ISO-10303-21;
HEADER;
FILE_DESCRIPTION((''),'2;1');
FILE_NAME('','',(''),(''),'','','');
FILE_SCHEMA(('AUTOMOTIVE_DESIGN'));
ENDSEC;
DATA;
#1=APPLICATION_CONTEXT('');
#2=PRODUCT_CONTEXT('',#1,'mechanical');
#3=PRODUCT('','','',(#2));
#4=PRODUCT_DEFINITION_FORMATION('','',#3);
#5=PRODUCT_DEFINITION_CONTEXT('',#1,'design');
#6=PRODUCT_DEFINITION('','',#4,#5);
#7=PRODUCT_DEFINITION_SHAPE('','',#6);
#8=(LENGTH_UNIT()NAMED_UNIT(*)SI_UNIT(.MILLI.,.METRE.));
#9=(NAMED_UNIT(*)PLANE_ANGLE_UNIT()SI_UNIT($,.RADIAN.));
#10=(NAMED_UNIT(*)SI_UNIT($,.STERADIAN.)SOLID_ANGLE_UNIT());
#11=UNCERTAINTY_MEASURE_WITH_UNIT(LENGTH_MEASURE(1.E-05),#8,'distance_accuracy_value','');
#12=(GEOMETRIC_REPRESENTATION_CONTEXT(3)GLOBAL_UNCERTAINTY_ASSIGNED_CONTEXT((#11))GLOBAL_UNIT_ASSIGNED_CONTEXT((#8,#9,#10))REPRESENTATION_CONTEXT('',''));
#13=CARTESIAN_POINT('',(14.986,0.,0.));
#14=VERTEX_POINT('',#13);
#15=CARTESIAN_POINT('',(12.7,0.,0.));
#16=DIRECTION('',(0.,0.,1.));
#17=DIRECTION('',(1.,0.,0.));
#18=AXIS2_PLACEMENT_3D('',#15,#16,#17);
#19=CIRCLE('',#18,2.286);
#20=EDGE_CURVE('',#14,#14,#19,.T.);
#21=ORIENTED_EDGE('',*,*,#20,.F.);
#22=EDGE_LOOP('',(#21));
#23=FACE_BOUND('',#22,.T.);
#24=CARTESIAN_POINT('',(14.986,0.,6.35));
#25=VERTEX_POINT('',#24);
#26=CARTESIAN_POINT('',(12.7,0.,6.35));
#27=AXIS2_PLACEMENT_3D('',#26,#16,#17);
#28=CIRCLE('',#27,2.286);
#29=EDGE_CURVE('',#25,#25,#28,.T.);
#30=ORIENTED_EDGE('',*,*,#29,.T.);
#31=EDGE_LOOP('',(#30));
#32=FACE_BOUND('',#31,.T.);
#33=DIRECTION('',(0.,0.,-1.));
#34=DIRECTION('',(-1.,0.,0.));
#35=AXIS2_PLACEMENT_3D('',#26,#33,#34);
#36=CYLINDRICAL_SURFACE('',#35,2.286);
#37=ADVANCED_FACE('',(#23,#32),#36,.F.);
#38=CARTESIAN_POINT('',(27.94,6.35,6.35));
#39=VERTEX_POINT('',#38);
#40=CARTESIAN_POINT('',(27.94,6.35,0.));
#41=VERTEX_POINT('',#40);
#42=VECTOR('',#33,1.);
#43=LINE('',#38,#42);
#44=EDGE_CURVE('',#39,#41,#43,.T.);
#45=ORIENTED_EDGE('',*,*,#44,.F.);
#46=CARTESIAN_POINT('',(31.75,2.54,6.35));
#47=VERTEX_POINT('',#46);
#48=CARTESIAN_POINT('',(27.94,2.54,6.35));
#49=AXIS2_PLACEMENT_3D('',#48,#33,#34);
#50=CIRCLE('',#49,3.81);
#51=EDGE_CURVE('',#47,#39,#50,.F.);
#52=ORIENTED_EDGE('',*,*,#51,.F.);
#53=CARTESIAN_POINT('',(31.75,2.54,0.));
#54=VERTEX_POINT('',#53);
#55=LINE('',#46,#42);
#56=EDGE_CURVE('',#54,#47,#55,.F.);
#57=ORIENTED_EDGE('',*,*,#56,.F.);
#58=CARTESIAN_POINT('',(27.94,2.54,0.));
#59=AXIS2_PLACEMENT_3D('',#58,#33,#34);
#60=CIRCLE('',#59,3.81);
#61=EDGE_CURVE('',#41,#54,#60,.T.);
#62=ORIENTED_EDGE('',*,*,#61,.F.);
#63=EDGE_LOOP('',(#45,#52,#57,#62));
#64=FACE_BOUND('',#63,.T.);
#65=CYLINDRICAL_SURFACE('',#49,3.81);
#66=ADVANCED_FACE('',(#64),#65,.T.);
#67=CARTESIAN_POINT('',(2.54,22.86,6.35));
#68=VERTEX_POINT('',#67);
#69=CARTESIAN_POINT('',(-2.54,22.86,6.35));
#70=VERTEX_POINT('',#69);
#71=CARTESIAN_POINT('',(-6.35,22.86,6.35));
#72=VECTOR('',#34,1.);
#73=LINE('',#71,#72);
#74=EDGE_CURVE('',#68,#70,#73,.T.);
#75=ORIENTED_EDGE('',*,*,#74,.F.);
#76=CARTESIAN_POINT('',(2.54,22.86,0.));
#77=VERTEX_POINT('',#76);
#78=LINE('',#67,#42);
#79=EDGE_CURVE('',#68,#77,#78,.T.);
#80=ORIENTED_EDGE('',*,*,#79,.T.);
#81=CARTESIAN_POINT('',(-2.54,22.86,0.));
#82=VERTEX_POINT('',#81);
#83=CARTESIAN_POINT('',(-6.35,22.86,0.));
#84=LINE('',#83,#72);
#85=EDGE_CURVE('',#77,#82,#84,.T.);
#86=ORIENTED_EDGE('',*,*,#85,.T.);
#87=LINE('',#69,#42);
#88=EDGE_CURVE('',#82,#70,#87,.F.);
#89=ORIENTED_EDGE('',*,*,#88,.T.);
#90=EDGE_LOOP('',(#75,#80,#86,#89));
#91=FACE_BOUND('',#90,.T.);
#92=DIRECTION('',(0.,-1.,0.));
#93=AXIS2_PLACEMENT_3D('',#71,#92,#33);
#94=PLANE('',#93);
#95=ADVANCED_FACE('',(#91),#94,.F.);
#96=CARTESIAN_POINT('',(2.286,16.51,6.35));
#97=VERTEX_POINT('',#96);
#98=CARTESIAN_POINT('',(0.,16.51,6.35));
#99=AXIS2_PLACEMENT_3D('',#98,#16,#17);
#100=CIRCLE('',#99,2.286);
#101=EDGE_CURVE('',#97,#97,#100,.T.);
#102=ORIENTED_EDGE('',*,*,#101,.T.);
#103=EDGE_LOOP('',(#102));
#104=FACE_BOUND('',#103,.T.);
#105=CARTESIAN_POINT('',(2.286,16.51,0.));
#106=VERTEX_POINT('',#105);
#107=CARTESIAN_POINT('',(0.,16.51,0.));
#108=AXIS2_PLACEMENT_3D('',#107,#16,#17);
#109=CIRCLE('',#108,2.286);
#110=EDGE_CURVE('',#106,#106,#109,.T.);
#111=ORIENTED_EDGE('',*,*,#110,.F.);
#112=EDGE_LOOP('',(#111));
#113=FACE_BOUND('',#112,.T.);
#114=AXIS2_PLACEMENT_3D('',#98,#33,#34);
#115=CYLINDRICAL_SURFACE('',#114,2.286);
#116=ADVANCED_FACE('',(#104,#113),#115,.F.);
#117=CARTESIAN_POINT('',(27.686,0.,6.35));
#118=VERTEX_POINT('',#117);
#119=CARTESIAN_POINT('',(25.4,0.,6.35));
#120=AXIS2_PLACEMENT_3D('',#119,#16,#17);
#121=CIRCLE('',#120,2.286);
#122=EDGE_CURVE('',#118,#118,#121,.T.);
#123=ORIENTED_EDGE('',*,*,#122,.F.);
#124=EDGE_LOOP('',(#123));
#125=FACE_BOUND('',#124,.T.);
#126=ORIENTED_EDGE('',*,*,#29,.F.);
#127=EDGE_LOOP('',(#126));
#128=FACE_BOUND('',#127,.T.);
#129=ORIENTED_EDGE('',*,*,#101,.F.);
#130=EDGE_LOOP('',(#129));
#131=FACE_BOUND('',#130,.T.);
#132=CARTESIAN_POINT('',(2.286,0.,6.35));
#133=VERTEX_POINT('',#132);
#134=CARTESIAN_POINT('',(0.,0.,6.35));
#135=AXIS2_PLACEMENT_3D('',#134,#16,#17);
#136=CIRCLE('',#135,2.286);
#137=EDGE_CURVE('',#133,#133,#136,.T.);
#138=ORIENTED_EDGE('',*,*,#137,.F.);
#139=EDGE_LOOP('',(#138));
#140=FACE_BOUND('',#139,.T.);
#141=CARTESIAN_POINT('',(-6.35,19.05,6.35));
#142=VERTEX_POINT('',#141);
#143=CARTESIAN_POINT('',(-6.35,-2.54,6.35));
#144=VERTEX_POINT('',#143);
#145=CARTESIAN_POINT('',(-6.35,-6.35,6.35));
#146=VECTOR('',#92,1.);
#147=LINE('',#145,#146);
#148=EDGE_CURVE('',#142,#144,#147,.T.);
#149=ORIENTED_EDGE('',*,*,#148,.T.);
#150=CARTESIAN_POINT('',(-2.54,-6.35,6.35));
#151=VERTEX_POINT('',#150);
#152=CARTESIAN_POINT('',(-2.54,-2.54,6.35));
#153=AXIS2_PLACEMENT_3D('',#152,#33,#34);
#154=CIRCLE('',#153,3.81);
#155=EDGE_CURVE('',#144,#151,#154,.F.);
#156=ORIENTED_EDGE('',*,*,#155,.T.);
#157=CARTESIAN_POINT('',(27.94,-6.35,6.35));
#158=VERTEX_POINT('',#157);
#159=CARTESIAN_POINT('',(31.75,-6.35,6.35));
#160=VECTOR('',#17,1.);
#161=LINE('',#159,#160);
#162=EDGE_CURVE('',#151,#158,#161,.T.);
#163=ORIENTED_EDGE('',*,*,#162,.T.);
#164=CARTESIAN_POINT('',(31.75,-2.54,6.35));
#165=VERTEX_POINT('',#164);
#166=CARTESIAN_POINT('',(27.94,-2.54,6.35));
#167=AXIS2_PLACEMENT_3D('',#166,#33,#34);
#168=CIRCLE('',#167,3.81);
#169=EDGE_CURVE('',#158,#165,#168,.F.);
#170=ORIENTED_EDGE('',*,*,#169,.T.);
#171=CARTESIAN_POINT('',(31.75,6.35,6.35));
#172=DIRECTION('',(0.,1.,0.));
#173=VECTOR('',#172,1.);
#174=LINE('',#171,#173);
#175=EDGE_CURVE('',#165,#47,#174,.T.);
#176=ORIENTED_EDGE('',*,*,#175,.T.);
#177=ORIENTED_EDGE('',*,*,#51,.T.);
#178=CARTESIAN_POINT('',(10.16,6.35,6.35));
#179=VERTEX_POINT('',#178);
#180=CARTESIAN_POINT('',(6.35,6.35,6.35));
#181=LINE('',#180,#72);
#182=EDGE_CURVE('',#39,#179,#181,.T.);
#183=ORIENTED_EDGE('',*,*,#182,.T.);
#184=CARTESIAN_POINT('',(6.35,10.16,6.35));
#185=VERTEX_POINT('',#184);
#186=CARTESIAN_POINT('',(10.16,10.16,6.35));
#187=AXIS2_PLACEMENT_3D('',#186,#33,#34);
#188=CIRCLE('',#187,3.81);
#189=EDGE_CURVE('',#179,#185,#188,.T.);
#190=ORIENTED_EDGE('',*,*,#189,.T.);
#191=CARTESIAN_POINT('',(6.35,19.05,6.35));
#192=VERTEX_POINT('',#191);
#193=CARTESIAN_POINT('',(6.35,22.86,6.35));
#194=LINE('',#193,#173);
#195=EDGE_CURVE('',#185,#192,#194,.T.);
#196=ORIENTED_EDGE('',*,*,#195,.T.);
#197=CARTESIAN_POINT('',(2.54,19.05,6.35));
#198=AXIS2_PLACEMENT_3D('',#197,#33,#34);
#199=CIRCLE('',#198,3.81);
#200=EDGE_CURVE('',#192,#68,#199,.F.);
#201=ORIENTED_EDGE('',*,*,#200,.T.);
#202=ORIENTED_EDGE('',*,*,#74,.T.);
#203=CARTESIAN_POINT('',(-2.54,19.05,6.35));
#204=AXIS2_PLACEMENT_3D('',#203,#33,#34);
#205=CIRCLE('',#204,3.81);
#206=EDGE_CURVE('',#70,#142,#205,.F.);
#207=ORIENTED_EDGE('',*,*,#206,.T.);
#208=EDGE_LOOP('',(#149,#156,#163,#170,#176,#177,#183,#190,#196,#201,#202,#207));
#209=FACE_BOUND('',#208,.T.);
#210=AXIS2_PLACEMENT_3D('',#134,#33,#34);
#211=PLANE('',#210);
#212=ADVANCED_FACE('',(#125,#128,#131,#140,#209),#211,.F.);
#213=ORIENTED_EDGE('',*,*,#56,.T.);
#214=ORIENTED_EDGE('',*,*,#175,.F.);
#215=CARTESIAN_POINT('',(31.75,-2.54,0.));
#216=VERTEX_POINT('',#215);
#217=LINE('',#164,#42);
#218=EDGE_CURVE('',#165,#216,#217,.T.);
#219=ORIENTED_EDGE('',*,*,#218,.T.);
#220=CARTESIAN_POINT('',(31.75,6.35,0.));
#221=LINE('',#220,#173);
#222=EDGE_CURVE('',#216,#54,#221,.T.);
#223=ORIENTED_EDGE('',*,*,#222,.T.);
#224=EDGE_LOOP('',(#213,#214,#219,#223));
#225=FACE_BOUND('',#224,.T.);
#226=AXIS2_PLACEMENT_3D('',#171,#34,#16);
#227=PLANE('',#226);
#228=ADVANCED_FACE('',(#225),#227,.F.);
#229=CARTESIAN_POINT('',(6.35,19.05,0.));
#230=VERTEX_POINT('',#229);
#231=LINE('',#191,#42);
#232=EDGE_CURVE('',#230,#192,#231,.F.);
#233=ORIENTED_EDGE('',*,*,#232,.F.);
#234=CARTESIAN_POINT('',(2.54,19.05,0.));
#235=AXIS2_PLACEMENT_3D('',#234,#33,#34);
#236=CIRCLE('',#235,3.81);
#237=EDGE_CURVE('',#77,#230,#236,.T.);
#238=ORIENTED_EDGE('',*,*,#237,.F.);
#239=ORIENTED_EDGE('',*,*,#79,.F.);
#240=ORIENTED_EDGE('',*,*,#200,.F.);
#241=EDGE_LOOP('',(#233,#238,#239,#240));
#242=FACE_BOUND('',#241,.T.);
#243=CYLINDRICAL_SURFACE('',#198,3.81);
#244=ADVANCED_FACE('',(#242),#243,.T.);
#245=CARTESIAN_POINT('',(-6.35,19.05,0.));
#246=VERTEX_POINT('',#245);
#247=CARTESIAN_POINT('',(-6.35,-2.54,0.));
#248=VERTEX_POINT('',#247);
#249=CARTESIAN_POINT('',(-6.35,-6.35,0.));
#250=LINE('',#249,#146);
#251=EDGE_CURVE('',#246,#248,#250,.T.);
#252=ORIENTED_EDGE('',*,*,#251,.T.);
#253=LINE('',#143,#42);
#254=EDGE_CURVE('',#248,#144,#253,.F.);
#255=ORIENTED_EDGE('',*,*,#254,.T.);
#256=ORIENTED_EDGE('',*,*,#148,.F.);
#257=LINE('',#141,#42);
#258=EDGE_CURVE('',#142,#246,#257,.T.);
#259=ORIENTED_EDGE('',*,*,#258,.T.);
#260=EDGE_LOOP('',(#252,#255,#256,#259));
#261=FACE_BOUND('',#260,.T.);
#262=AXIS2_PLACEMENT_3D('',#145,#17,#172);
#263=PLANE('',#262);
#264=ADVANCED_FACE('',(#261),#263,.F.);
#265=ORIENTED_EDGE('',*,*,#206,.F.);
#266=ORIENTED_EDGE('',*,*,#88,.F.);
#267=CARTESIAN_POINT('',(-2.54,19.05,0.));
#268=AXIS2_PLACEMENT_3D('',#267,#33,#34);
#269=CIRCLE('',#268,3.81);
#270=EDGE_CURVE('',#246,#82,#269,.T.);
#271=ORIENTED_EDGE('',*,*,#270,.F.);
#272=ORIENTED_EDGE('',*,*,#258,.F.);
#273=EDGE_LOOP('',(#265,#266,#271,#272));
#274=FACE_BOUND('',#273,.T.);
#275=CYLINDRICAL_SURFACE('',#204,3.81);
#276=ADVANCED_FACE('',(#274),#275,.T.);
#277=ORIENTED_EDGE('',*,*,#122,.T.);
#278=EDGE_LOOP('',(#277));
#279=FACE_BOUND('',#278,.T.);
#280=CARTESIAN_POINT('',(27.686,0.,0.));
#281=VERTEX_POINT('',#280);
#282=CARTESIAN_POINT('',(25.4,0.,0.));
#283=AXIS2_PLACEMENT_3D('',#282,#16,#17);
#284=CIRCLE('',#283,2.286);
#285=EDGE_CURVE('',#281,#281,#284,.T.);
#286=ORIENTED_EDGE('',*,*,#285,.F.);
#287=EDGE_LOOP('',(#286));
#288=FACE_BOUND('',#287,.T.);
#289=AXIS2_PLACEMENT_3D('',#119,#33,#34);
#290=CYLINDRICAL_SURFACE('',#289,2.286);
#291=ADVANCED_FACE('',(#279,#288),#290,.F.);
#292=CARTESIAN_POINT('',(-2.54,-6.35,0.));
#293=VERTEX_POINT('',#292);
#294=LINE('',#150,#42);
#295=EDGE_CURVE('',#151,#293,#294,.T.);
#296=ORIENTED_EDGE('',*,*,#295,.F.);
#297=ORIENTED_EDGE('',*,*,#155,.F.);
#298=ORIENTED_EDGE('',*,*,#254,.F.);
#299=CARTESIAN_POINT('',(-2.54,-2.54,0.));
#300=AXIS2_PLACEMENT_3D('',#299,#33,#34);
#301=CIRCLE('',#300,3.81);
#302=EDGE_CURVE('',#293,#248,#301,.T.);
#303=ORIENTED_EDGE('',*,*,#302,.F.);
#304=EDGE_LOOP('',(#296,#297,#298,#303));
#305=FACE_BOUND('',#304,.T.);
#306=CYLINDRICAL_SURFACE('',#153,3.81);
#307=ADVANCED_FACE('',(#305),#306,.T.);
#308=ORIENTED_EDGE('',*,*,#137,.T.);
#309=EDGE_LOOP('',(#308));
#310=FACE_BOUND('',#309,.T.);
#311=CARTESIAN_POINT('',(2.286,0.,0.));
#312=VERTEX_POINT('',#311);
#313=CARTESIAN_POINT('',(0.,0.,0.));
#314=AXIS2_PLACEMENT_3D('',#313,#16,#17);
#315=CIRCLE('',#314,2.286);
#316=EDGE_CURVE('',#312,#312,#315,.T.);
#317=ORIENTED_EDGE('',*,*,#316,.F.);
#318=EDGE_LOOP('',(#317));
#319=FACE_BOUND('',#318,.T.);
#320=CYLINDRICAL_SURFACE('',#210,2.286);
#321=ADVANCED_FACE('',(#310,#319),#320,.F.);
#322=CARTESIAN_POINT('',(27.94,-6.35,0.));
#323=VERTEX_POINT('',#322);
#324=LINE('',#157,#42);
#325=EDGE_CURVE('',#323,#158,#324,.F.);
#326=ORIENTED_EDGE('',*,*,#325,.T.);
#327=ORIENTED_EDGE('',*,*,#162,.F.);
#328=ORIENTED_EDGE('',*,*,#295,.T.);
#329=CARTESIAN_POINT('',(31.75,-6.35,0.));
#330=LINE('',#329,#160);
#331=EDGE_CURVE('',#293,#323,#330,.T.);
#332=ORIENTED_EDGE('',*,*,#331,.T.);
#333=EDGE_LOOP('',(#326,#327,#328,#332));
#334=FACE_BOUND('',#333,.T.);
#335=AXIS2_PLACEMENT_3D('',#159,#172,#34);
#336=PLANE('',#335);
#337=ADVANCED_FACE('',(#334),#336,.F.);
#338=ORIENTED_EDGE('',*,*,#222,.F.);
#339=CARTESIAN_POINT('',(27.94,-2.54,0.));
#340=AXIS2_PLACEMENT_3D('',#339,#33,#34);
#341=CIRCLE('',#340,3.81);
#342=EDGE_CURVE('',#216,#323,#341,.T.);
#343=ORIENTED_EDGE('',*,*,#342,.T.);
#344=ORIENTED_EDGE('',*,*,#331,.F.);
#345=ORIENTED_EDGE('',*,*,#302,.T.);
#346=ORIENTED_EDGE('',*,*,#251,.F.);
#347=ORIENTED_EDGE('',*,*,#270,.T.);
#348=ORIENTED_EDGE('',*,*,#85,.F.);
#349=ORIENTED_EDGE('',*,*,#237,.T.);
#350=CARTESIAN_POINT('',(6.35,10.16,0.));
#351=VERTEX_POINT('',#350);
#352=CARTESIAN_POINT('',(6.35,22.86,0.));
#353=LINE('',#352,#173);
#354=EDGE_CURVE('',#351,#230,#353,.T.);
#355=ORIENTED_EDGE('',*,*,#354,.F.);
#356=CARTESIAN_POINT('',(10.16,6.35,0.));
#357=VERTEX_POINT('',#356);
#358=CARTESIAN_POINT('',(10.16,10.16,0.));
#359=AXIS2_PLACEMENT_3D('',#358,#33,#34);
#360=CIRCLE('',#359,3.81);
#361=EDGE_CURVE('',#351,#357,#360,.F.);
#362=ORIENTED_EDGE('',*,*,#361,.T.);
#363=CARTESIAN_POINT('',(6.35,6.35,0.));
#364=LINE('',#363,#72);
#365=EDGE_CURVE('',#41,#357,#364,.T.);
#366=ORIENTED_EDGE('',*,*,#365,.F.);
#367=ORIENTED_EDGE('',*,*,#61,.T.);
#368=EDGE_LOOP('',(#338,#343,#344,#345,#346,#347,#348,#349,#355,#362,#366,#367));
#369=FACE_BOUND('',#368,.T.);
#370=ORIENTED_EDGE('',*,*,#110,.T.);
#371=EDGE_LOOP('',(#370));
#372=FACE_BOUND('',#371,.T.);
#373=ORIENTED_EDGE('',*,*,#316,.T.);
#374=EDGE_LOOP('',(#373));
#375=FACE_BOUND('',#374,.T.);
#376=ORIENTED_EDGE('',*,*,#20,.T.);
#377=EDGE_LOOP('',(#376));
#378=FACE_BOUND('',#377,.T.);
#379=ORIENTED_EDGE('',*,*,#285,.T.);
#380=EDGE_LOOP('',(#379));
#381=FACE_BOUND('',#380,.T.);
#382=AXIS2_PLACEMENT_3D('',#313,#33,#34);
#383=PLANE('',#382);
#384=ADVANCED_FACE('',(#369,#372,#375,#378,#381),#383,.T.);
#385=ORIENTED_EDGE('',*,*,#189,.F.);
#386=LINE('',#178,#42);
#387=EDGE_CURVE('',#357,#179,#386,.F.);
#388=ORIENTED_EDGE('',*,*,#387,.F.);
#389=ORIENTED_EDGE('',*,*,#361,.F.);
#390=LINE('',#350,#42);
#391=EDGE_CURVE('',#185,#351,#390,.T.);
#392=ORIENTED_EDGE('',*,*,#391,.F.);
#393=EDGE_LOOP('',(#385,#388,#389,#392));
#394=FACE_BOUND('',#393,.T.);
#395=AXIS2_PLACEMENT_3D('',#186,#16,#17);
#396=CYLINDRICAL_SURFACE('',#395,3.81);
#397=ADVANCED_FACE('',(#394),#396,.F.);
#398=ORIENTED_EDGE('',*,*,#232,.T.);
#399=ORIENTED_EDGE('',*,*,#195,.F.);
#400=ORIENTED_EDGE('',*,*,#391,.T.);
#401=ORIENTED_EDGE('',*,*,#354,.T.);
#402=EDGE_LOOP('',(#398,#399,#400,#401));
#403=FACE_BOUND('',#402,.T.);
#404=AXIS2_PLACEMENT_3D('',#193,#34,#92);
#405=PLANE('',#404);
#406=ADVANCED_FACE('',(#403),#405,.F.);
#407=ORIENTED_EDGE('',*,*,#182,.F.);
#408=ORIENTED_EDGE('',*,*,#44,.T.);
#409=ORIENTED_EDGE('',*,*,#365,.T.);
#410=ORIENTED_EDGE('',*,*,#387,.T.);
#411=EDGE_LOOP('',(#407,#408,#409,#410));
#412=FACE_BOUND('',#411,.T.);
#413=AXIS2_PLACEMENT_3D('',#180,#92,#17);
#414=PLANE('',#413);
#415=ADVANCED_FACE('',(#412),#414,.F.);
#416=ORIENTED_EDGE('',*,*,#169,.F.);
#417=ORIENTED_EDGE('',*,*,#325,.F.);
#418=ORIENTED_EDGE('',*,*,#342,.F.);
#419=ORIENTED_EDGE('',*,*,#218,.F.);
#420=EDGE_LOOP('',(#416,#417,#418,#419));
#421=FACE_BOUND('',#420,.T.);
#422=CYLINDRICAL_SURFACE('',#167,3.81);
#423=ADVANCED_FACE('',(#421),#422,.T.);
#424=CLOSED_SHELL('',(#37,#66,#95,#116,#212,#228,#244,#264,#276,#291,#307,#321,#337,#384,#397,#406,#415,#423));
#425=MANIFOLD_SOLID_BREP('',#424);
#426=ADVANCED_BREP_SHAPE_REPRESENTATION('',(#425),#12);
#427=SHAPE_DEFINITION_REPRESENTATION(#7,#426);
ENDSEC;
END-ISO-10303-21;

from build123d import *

# Parameters (mm, degrees)
SKETCH1_R           = 2.286
BOSS_EXTRUDE1_DEPTH = 6.35
FILLET1_R           = 3.81


with BuildPart() as part:
    # Sketch1 → Boss-Extrude1 (new body)
    with BuildSketch(Plane.XY):
        Polygon((-6.35, -6.35), (-6.35, 22.86), (6.35, 22.86), (6.35, 6.35), (31.75, 6.35), (31.75, -6.35), align=None)
        Circle(SKETCH1_R, mode=Mode.SUBTRACT)
        with Locations((12.7, 0)):
            Circle(SKETCH1_R, mode=Mode.SUBTRACT)
        with Locations((25.4, 0)):
            Circle(SKETCH1_R, mode=Mode.SUBTRACT)
        with Locations((0, 16.51)):
            Circle(SKETCH1_R, mode=Mode.SUBTRACT)
    extrude(amount=BOSS_EXTRUDE1_DEPTH)

    # Fillet1
    fillet1_edges = [part.edges().sort_by_distance(p)[0] for p in [
        (-6.35, -6.35, 3.175),
        (-6.35, 22.86, 3.175),
        (6.35, 22.86, 3.175),
        (6.35, 6.35, 3.175),
        (31.75, 6.35, 3.175),
        (31.75, -6.35, 3.175),
    ]]
    fillet(fillet1_edges, radius=FILLET1_R)


solid = part.part
